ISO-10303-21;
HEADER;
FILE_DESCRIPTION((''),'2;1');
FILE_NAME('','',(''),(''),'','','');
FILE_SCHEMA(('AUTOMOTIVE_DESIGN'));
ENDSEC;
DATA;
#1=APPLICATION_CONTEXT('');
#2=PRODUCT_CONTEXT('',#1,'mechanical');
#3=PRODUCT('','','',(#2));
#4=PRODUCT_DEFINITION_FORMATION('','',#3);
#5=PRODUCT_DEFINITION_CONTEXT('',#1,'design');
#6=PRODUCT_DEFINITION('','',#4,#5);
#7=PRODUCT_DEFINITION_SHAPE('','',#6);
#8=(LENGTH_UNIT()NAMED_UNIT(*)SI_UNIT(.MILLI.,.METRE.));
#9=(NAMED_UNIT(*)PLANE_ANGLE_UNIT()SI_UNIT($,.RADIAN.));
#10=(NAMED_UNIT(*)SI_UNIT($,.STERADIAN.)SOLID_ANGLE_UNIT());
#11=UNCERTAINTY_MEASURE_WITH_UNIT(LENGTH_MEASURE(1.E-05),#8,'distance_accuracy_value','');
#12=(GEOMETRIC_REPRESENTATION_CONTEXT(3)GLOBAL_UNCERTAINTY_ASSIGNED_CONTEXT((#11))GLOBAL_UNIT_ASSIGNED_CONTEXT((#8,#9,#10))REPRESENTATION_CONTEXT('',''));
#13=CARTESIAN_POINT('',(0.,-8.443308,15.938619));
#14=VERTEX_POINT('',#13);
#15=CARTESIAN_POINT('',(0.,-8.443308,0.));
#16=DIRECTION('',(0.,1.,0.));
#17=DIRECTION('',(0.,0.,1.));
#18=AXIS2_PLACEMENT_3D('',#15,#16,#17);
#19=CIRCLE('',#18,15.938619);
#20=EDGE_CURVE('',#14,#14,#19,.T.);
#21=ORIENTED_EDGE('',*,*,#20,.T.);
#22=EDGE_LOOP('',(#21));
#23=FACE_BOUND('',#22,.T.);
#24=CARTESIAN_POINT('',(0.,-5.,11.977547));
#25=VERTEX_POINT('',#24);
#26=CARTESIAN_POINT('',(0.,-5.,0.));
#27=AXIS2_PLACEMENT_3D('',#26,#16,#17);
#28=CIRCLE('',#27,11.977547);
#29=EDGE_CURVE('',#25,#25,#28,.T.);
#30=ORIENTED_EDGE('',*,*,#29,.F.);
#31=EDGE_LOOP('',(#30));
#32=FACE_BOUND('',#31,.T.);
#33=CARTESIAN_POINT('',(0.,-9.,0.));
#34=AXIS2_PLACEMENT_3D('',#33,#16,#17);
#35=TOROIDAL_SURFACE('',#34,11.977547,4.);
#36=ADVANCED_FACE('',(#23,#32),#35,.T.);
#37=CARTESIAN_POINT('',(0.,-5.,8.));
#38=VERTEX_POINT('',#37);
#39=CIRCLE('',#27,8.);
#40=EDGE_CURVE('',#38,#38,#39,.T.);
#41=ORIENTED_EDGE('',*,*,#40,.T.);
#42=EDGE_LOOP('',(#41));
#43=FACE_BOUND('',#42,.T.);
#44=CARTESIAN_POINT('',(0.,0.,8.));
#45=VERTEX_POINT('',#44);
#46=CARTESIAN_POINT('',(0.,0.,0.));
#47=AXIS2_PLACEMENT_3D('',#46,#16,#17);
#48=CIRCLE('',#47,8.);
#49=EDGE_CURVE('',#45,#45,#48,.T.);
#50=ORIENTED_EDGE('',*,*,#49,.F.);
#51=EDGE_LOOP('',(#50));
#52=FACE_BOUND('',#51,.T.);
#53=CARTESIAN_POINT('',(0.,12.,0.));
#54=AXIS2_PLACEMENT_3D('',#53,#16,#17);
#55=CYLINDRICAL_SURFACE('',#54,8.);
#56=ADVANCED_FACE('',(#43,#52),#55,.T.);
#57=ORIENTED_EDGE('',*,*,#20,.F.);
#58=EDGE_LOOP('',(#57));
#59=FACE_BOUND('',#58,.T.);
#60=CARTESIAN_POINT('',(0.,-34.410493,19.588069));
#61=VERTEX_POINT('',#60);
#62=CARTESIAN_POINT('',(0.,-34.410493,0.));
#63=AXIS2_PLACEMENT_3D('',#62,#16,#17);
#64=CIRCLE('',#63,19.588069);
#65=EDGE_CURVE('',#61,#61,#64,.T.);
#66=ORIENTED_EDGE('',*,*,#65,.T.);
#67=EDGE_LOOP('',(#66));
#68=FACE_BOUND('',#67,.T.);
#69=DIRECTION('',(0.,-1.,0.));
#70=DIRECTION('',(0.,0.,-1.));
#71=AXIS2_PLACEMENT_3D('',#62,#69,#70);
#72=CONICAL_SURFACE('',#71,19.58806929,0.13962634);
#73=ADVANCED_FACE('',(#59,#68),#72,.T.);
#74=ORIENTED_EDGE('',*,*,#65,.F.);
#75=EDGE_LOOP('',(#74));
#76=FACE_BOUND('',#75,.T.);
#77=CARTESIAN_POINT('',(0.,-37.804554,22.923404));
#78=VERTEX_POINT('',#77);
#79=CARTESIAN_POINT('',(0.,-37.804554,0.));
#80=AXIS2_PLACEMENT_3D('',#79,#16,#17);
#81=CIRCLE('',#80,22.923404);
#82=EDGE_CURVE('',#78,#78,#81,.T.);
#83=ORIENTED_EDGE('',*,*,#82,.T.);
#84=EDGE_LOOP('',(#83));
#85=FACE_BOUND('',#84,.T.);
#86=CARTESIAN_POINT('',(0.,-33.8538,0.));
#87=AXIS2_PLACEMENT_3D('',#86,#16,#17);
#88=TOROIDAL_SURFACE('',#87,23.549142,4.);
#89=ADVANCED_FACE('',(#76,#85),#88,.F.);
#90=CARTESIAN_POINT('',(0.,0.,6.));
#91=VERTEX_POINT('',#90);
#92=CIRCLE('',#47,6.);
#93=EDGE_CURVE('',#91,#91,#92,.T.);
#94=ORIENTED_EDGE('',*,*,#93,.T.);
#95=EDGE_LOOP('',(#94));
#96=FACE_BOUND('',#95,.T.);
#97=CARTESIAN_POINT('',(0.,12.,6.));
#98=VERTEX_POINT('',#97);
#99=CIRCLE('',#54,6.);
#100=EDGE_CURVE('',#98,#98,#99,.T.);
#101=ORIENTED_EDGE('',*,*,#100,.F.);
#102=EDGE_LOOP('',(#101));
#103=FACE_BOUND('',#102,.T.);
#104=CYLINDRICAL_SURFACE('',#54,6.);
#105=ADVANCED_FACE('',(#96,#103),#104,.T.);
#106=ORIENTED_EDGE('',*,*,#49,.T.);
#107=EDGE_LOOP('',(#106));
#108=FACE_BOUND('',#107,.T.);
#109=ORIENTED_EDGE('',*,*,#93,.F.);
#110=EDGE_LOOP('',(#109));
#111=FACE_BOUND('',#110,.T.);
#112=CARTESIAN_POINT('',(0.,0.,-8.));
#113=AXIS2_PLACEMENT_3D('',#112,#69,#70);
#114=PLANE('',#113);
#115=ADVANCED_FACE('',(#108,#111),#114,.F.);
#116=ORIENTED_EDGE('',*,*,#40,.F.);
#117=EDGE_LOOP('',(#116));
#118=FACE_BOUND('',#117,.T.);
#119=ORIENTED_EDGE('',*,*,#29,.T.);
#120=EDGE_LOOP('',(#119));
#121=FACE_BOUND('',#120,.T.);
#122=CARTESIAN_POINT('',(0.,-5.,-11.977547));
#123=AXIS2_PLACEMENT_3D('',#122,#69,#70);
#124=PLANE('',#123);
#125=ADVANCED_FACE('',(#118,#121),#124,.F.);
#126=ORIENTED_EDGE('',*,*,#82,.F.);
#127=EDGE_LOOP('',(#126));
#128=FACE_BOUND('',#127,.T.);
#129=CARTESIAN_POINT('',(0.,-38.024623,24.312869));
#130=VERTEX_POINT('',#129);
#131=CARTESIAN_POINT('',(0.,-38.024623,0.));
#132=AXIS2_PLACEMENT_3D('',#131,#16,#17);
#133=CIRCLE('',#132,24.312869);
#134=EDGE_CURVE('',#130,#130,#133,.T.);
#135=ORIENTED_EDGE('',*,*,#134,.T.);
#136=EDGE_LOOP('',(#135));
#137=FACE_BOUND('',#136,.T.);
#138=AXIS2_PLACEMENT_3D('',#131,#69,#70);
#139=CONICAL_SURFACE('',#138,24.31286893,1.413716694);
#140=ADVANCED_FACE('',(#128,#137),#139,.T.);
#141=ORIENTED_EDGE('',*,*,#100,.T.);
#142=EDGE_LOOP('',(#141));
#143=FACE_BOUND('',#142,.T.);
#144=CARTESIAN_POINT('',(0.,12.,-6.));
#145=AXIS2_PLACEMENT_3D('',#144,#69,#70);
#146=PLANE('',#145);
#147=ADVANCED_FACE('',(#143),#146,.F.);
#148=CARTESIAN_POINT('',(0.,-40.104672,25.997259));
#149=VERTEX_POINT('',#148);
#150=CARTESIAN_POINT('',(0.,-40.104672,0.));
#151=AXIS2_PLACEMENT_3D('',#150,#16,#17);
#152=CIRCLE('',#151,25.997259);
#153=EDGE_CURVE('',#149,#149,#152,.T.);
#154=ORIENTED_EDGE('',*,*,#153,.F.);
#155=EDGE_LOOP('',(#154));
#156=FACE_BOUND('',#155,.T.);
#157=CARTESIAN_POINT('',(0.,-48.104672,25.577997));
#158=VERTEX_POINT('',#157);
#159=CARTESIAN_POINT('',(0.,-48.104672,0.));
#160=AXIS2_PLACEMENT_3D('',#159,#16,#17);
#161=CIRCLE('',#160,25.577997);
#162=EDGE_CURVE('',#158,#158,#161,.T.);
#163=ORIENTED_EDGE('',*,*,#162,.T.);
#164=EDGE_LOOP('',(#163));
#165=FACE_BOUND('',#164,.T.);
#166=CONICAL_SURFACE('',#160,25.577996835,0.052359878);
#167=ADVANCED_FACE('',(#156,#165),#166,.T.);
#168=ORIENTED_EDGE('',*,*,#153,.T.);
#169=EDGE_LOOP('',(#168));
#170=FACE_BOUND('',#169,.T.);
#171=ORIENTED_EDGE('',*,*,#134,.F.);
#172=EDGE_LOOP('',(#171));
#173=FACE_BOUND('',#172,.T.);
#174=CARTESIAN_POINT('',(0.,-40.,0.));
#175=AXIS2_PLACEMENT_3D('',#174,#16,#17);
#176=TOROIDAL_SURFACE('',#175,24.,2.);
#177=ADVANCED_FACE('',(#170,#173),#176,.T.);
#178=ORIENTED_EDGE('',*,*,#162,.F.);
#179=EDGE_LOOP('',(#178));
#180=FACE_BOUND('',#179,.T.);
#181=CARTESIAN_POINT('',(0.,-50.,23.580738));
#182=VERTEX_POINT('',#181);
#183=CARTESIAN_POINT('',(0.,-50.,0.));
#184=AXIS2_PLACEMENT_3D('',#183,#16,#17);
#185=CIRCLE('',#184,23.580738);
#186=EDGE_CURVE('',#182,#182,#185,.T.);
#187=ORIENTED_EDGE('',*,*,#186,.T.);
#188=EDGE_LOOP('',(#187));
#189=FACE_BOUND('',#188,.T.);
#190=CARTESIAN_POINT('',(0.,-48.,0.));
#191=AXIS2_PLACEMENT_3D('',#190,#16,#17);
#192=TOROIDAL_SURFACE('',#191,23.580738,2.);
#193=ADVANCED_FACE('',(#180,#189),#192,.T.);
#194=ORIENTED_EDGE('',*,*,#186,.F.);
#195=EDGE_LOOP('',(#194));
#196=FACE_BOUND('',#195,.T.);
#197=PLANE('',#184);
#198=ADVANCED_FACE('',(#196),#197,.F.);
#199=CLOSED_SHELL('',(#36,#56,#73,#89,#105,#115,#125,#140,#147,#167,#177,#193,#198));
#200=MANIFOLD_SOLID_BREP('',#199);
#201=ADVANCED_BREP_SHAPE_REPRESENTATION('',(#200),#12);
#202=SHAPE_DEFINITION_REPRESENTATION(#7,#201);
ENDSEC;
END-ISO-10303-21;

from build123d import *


with BuildPart() as part:
    # Esquisse1 → Révolution1 (revolve)
    with BuildSketch(Plane(origin=(0, 0, 0), x_dir=(0, 0, -1), z_dir=(1, 0, 0))):
        with BuildLine():
            Line((8, -5), (8, 0))
            Line((8, 0), (6, 0))
            Line((6, 0), (6, 12))
            Line((6, 12), (0, 12))
            Line((0, 12), (0, -50))
            Line((0, -50), (23.580737766, -50))
            ThreePointArc((23.580737766, -50), (24.957446917, -49.450748742), (25.577996835, -48.104671912))
            Line((25.577996835, -48.104671912), (25.99725907, -40.104671912))
            ThreePointArc((25.99725907, -40.104671912), (25.554291923, -38.741359218), (24.31286893, -38.024623319))
            Line((24.31286893, -38.024623319), (22.923403705, -37.804553647))
            ThreePointArc((22.923403705, -37.804553647), (20.696139769, -36.657437342), (19.58806929, -34.410492688))
            Line((19.58806929, -34.410492688), (15.938619423, -8.443307596))
            ThreePointArc((15.938619423, -8.443307596), (14.601783264, -5.981161679), (11.977547148, -5))
            Line((11.977547148, -5), (8, -5))
        make_face()
    revolve(axis=Axis((0, 12, 0), (0, -1, 0)))


solid = part.part
